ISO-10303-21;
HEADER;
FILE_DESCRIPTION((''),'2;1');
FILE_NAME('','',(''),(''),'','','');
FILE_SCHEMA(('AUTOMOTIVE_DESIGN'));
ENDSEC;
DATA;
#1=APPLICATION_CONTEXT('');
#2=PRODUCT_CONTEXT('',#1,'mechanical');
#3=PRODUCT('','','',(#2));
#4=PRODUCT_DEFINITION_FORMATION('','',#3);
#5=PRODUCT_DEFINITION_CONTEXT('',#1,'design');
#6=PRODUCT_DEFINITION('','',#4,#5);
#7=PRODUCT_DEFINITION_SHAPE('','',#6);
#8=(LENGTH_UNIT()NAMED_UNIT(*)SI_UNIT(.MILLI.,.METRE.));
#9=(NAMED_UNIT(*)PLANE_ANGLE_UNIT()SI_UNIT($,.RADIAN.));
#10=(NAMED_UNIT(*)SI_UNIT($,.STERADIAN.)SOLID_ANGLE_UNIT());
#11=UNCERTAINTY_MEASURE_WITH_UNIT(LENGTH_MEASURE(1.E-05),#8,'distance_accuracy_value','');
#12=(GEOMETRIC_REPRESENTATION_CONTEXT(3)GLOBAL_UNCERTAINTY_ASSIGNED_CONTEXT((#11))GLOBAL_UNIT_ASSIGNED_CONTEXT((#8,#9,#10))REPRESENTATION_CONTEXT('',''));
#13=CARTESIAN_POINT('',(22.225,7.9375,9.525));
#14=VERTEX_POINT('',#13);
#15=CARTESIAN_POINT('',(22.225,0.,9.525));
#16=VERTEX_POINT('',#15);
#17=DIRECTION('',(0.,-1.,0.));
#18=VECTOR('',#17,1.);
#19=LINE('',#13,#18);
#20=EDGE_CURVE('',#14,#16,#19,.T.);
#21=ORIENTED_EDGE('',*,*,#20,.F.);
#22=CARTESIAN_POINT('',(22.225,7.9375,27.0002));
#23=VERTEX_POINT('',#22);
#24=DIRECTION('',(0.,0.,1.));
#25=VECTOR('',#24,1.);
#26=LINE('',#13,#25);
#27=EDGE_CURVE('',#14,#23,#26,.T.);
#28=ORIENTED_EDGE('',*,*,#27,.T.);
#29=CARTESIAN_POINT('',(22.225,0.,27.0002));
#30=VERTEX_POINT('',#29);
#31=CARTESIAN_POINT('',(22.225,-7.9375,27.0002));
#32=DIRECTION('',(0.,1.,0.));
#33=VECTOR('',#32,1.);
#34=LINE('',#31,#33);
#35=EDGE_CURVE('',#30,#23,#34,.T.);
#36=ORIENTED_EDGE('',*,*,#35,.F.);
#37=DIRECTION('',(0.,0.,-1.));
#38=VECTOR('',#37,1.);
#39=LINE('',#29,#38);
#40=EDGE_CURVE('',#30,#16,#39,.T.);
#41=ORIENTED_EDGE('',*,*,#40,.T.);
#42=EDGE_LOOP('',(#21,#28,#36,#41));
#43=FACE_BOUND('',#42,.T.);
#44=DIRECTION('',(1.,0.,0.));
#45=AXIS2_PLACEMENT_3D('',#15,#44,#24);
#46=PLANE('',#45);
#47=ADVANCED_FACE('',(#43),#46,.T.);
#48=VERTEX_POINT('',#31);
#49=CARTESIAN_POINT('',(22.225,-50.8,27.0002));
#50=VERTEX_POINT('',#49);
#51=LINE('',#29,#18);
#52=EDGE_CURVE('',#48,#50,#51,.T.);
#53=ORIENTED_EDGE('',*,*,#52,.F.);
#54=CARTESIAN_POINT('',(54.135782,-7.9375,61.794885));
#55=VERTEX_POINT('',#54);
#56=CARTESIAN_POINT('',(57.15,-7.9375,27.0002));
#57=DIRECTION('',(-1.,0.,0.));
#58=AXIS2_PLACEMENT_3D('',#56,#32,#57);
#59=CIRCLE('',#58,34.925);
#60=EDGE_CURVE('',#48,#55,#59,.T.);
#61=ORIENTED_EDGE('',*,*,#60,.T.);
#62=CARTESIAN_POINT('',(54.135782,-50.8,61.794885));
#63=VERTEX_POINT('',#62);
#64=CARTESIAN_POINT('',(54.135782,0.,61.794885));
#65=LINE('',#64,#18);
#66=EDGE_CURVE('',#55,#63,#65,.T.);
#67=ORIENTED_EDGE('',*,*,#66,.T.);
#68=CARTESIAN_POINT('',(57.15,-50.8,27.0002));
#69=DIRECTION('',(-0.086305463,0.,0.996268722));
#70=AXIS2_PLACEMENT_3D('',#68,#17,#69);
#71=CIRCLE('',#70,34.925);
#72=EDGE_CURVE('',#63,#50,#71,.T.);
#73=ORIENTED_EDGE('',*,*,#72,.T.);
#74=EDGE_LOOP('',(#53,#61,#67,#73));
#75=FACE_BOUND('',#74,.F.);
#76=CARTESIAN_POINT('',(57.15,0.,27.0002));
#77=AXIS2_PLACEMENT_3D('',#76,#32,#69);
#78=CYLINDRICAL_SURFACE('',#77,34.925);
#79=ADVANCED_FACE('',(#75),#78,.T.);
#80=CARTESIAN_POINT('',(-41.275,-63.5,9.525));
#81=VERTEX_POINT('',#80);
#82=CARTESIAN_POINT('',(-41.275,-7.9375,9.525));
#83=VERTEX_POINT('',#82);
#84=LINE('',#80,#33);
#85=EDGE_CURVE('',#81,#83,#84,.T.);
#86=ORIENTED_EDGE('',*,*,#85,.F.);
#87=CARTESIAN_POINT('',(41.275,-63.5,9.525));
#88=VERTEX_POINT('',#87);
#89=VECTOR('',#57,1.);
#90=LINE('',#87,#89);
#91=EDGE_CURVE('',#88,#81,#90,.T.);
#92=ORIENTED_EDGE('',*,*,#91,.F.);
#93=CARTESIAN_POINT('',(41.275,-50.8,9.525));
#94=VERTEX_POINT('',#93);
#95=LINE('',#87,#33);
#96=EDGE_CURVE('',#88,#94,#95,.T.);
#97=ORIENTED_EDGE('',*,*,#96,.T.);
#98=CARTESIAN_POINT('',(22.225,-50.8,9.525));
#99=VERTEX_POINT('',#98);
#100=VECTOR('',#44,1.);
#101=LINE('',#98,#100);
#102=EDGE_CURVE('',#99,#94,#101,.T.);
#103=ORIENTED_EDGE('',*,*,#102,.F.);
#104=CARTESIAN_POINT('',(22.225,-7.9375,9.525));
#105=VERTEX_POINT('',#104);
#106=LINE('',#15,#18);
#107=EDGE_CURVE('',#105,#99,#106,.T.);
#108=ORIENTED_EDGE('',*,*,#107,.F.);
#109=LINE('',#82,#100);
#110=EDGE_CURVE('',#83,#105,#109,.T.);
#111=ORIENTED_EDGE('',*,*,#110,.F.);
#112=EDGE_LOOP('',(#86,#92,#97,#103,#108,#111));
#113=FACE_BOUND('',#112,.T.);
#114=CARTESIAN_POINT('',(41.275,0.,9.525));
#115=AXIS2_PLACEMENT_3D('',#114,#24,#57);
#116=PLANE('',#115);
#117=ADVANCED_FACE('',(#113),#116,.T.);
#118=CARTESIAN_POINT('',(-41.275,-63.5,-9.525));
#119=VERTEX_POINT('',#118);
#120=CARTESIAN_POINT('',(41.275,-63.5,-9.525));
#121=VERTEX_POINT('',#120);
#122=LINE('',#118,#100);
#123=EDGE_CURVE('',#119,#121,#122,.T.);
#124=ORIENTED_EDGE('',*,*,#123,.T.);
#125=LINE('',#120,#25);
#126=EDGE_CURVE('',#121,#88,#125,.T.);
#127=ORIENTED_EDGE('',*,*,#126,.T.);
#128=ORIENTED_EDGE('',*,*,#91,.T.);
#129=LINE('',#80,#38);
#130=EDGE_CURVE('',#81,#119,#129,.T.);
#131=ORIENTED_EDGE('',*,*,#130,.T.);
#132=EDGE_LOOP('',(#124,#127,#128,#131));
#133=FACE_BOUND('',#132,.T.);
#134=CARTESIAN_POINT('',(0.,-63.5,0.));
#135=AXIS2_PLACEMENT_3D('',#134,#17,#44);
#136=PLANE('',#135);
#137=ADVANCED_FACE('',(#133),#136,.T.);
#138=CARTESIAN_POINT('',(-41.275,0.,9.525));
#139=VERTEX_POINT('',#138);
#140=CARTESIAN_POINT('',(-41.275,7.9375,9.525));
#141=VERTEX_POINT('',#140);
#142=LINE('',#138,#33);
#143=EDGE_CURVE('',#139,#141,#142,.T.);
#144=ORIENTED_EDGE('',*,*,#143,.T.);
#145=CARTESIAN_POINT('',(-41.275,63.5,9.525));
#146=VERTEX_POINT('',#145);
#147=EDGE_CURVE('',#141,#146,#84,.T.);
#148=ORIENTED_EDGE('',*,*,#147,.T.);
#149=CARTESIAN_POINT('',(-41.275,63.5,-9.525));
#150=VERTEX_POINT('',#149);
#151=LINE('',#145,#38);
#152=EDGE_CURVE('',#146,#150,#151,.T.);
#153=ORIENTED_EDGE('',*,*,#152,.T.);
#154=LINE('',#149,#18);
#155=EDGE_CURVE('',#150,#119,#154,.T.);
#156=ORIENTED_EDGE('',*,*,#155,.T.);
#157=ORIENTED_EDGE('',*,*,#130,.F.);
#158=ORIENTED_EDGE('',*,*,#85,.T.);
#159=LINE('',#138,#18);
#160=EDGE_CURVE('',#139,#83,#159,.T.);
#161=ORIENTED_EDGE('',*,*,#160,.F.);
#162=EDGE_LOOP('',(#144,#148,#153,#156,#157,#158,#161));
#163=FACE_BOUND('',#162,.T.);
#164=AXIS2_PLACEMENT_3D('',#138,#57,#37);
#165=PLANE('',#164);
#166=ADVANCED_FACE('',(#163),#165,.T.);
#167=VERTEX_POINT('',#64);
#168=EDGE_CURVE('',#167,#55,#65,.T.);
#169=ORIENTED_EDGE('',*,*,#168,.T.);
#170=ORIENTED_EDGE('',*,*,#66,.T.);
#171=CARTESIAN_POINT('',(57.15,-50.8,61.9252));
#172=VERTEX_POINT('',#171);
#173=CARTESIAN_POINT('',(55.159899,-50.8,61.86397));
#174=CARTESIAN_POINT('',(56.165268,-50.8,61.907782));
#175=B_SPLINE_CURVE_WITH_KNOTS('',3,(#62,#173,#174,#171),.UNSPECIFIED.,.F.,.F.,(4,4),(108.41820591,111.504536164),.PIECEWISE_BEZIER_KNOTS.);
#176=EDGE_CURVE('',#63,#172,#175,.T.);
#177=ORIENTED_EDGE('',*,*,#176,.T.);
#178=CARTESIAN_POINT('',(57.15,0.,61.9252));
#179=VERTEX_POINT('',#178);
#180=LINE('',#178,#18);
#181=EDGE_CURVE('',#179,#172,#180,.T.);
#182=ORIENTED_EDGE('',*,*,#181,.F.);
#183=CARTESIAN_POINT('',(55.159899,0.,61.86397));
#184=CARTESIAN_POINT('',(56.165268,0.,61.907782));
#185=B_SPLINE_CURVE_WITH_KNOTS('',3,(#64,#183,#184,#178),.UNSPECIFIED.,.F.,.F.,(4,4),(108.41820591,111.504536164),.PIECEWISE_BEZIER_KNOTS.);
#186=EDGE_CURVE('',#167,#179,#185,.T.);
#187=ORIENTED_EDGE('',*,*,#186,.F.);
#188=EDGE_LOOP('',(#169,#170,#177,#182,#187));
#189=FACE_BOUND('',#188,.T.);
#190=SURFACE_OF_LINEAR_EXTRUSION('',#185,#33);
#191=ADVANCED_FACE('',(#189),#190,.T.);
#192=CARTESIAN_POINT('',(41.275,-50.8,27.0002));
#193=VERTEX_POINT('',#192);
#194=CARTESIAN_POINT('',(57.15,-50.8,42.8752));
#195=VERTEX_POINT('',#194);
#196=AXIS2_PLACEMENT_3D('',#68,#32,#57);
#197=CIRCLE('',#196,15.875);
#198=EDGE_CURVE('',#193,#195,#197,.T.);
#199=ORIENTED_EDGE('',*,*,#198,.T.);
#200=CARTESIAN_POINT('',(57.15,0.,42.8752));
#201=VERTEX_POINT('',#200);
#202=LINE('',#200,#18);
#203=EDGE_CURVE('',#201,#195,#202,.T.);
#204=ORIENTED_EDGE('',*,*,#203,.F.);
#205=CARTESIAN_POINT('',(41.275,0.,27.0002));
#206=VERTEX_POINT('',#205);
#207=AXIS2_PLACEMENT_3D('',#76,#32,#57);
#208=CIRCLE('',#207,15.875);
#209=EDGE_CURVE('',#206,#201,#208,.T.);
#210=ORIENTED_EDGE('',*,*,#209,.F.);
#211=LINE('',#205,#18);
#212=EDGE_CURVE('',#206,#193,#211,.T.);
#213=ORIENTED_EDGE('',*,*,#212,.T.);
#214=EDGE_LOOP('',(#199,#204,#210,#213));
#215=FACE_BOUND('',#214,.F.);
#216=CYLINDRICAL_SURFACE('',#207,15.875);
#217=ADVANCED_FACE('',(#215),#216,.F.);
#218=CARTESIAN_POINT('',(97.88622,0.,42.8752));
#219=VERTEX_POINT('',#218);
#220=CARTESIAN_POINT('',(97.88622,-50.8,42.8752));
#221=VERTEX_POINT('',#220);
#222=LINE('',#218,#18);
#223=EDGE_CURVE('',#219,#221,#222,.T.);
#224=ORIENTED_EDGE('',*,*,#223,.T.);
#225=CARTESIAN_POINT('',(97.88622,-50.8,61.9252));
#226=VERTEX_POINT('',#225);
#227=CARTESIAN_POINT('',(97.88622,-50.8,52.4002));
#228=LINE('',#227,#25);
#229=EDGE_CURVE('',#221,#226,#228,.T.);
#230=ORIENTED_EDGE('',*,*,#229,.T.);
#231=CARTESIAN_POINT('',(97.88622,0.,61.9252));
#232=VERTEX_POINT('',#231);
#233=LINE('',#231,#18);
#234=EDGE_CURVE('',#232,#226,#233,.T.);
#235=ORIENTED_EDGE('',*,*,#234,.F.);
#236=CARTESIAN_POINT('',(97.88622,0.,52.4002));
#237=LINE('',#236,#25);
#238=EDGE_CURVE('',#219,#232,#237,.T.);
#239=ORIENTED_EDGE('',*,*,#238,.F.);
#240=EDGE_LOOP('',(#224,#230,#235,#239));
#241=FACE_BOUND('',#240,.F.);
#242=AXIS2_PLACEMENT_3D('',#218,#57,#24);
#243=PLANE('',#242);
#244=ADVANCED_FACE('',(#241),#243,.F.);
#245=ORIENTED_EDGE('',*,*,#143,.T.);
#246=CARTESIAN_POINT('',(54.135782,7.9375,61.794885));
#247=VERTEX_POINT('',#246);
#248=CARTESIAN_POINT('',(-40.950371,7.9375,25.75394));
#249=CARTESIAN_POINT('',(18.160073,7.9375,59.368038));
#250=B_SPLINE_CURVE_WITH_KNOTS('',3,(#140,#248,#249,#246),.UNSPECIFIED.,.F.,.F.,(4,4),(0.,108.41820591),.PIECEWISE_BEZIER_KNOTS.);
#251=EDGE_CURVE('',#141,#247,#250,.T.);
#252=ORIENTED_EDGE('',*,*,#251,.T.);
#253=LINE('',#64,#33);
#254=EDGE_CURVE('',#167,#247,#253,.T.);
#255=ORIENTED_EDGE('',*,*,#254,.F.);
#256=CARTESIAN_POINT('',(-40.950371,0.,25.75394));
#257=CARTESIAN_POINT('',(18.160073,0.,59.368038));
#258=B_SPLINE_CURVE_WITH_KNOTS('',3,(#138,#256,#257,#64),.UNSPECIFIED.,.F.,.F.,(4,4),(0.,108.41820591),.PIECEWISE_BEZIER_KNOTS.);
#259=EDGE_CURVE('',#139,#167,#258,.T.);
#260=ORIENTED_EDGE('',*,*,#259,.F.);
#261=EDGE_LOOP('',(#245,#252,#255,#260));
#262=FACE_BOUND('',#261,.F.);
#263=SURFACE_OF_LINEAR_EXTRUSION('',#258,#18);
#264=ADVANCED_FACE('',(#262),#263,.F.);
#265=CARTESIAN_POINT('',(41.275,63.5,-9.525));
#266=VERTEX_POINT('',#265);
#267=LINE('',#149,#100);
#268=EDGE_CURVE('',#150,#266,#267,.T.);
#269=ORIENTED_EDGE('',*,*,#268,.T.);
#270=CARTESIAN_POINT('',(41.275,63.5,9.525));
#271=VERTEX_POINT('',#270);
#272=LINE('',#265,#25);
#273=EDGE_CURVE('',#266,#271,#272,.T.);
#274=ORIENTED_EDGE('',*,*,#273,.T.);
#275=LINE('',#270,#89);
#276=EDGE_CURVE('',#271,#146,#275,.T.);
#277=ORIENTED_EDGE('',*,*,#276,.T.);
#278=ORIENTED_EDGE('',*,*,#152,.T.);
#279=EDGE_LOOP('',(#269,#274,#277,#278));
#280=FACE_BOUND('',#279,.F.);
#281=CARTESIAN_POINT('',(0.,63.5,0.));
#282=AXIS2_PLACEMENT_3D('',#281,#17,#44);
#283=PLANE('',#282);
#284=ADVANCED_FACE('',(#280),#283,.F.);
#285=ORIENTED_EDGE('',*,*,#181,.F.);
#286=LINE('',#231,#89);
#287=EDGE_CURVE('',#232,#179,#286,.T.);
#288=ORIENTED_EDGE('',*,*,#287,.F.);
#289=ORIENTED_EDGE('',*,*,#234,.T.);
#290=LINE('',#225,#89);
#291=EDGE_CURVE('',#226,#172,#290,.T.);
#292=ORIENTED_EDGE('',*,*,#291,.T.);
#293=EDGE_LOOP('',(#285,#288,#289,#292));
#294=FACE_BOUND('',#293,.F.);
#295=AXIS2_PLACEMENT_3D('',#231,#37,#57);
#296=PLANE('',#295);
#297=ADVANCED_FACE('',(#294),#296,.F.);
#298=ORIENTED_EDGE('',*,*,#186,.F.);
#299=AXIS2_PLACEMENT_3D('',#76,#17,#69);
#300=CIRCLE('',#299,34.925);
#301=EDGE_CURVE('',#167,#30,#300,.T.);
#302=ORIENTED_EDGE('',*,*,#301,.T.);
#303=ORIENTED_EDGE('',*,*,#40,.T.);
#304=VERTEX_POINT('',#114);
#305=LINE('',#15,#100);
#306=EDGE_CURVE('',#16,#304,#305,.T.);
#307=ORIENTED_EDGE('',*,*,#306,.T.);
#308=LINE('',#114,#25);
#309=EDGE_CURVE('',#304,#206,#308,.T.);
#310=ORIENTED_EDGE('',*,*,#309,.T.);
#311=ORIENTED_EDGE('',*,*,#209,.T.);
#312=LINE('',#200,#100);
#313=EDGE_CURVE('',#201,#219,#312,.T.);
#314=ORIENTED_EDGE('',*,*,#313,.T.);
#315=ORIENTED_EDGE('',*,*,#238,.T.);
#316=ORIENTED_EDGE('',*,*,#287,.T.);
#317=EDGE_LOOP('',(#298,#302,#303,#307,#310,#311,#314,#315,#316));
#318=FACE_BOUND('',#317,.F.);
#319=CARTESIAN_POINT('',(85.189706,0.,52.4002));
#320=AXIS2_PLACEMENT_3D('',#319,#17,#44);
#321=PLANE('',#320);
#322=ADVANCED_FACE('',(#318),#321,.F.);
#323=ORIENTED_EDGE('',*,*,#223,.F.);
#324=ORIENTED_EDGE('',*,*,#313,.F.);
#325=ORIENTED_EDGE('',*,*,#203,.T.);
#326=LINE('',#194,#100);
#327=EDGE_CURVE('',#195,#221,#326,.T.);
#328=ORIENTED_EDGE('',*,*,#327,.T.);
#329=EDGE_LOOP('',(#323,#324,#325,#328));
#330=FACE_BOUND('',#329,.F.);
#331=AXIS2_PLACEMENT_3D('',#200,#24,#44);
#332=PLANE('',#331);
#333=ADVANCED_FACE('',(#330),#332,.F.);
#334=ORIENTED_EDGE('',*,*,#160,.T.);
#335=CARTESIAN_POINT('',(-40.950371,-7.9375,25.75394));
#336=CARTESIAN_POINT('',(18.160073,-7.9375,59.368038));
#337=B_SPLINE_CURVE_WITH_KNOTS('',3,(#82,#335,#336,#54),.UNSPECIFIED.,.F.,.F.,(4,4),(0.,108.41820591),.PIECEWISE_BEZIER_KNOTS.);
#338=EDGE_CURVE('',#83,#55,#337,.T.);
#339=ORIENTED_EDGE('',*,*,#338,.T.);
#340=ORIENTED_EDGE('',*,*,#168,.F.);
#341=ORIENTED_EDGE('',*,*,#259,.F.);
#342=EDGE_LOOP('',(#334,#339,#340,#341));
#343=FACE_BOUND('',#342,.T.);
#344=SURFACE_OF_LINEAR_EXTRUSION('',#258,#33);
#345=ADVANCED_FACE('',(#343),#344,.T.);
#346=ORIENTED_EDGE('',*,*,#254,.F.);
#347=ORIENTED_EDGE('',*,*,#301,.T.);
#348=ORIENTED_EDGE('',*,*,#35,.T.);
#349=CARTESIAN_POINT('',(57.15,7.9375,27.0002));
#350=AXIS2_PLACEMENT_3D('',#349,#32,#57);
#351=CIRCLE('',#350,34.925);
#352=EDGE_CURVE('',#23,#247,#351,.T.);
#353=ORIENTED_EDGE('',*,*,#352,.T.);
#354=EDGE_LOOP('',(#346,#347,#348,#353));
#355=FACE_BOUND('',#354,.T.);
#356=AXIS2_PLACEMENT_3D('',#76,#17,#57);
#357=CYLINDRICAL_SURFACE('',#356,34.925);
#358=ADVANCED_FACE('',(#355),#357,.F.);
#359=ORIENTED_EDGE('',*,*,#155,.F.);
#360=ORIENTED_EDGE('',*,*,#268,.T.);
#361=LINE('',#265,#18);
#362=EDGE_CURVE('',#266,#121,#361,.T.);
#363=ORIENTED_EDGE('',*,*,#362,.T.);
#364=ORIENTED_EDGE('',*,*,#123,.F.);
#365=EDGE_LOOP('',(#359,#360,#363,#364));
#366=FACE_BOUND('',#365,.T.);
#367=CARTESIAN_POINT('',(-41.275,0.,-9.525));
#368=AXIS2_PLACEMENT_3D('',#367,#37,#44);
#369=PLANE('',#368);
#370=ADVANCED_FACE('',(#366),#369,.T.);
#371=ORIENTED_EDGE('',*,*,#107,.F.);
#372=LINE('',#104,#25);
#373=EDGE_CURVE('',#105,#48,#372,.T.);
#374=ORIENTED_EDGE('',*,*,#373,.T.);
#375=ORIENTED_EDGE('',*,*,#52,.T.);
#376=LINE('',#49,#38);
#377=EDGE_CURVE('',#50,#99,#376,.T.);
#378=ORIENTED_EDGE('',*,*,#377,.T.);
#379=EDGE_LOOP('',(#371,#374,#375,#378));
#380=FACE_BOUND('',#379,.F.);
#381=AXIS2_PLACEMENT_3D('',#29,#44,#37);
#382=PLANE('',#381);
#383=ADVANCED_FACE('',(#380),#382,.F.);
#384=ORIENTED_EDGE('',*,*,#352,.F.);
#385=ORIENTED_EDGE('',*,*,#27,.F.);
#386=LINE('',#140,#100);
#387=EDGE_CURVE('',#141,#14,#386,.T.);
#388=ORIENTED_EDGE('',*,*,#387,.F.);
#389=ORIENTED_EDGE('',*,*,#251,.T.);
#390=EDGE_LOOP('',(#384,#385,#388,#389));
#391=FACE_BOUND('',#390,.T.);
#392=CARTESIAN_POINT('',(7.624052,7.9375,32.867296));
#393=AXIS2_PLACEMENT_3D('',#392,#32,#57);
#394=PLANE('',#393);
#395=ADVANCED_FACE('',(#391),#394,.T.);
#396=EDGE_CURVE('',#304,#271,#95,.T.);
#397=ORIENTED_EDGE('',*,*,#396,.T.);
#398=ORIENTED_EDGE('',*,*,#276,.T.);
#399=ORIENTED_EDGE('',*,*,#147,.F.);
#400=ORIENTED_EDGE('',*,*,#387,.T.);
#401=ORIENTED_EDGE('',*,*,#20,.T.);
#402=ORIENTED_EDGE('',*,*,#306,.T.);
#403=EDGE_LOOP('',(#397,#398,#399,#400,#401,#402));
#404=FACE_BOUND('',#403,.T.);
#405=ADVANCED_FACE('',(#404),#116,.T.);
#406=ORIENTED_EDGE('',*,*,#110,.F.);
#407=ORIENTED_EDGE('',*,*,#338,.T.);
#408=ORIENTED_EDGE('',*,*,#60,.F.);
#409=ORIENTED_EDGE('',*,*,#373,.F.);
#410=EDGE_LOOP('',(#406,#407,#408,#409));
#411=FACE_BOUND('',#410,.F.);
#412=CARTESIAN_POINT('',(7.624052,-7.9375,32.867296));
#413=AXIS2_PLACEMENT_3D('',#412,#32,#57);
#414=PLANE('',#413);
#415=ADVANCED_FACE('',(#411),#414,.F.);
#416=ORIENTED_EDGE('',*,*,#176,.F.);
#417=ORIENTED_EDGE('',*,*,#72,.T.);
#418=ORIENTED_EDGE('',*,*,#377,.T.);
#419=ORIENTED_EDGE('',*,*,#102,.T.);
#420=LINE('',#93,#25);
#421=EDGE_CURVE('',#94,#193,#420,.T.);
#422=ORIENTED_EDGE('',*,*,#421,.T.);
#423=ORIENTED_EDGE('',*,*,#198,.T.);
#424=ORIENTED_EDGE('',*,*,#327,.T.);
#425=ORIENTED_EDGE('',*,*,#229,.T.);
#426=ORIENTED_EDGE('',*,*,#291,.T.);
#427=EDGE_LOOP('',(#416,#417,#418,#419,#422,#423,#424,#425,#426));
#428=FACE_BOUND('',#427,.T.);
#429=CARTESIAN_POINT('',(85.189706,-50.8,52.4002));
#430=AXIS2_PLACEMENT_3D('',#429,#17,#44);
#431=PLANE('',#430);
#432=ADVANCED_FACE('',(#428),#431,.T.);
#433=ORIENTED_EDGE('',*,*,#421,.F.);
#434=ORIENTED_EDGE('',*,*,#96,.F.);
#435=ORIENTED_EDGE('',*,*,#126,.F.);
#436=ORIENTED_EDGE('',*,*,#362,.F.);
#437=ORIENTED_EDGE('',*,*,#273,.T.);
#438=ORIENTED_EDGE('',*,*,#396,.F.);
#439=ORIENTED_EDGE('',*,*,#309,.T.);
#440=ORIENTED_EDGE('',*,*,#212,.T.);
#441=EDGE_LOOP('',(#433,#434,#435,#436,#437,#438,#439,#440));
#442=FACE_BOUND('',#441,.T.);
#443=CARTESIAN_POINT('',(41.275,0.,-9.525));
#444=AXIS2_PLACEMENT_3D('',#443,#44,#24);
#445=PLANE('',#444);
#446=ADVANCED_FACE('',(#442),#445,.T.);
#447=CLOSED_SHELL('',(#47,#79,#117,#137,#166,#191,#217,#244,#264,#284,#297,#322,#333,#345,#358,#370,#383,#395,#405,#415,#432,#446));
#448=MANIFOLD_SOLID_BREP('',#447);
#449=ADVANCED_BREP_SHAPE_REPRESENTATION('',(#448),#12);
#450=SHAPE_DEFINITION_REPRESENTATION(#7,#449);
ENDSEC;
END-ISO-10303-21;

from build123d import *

# Parameters (mm, degrees)
F1_DEPTH = 63.5
F0_W     = 25.3930282362
F0_H     = 19.05
F2_DEPTH = 50.8
F3_DEPTH = 7.9375


with BuildPart() as f1:
    # F0 (on Front) → F1 (new body, symmetric)
    with BuildSketch(Plane.XZ):
        Polygon((-41.275, 9.525), (-41.275, -9.525), (41.275, -9.525), (41.275, 9.525), (22.225, 9.525), align=None)
    extrude(amount=F1_DEPTH, both=True)

    # F0 (on Front) → F2 (join)
    with BuildSketch(Plane.XZ):
        with Locations((85.1897055026, 52.4002)):
            Rectangle(F0_W, F0_H)
        with BuildLine():
            Line((22.225, 9.525), (41.275, 9.525))
            Line((41.275, 9.525), (41.275, 27.0002))
            ThreePointArc((41.275, 27.0002), (45.9246798487, 38.2255201513), (57.15, 42.8752))
            Line((57.15, 42.8752), (72.4931913845, 42.8752))
            Line((72.4931913845, 42.8752), (72.4931913845, 61.9252))
            Line((72.4931913845, 61.9252), (57.15, 61.9252))
            add(Edge.make_bspline(
                [(54.1357817201, 61.7948851281), (55.1598986423, 61.8639699544), (56.1652679987, 61.9077817435), (57.15, 61.9252)],
                knots=[108.4182059101, 108.4182059101, 108.4182059101, 108.4182059101, 111.5045361635, 111.5045361635, 111.5045361635, 111.5045361635], degree=3))
            ThreePointArc((54.1357817201, 61.7948851281), (31.4106604744, 50.6061743664), (22.225, 27.0002))
            Line((22.225, 27.0002), (22.225, 9.525))
        make_face()
    extrude(amount=F2_DEPTH)

    # F0 (on Front) → F3 (join, symmetric)
    with BuildSketch(Plane.XZ):
        with BuildLine():
            add(Edge.make_bspline(
                [(-41.275, 9.525), (-40.9503712961, 25.7539404931), (18.1600726333, 59.3680376075), (54.1357817201, 61.7948851281)],
                knots=[0, 0, 0, 0, 108.4182059101, 108.4182059101, 108.4182059101, 108.4182059101], degree=3))
            Line((-41.275, 9.525), (22.225, 9.525))
            Line((22.225, 9.525), (22.225, 27.0002))
            ThreePointArc((22.225, 27.0002), (31.4106604744, 50.6061743664), (54.1357817201, 61.7948851281))
        make_face()
    extrude(amount=F3_DEPTH, both=True)


solid = f1.part
